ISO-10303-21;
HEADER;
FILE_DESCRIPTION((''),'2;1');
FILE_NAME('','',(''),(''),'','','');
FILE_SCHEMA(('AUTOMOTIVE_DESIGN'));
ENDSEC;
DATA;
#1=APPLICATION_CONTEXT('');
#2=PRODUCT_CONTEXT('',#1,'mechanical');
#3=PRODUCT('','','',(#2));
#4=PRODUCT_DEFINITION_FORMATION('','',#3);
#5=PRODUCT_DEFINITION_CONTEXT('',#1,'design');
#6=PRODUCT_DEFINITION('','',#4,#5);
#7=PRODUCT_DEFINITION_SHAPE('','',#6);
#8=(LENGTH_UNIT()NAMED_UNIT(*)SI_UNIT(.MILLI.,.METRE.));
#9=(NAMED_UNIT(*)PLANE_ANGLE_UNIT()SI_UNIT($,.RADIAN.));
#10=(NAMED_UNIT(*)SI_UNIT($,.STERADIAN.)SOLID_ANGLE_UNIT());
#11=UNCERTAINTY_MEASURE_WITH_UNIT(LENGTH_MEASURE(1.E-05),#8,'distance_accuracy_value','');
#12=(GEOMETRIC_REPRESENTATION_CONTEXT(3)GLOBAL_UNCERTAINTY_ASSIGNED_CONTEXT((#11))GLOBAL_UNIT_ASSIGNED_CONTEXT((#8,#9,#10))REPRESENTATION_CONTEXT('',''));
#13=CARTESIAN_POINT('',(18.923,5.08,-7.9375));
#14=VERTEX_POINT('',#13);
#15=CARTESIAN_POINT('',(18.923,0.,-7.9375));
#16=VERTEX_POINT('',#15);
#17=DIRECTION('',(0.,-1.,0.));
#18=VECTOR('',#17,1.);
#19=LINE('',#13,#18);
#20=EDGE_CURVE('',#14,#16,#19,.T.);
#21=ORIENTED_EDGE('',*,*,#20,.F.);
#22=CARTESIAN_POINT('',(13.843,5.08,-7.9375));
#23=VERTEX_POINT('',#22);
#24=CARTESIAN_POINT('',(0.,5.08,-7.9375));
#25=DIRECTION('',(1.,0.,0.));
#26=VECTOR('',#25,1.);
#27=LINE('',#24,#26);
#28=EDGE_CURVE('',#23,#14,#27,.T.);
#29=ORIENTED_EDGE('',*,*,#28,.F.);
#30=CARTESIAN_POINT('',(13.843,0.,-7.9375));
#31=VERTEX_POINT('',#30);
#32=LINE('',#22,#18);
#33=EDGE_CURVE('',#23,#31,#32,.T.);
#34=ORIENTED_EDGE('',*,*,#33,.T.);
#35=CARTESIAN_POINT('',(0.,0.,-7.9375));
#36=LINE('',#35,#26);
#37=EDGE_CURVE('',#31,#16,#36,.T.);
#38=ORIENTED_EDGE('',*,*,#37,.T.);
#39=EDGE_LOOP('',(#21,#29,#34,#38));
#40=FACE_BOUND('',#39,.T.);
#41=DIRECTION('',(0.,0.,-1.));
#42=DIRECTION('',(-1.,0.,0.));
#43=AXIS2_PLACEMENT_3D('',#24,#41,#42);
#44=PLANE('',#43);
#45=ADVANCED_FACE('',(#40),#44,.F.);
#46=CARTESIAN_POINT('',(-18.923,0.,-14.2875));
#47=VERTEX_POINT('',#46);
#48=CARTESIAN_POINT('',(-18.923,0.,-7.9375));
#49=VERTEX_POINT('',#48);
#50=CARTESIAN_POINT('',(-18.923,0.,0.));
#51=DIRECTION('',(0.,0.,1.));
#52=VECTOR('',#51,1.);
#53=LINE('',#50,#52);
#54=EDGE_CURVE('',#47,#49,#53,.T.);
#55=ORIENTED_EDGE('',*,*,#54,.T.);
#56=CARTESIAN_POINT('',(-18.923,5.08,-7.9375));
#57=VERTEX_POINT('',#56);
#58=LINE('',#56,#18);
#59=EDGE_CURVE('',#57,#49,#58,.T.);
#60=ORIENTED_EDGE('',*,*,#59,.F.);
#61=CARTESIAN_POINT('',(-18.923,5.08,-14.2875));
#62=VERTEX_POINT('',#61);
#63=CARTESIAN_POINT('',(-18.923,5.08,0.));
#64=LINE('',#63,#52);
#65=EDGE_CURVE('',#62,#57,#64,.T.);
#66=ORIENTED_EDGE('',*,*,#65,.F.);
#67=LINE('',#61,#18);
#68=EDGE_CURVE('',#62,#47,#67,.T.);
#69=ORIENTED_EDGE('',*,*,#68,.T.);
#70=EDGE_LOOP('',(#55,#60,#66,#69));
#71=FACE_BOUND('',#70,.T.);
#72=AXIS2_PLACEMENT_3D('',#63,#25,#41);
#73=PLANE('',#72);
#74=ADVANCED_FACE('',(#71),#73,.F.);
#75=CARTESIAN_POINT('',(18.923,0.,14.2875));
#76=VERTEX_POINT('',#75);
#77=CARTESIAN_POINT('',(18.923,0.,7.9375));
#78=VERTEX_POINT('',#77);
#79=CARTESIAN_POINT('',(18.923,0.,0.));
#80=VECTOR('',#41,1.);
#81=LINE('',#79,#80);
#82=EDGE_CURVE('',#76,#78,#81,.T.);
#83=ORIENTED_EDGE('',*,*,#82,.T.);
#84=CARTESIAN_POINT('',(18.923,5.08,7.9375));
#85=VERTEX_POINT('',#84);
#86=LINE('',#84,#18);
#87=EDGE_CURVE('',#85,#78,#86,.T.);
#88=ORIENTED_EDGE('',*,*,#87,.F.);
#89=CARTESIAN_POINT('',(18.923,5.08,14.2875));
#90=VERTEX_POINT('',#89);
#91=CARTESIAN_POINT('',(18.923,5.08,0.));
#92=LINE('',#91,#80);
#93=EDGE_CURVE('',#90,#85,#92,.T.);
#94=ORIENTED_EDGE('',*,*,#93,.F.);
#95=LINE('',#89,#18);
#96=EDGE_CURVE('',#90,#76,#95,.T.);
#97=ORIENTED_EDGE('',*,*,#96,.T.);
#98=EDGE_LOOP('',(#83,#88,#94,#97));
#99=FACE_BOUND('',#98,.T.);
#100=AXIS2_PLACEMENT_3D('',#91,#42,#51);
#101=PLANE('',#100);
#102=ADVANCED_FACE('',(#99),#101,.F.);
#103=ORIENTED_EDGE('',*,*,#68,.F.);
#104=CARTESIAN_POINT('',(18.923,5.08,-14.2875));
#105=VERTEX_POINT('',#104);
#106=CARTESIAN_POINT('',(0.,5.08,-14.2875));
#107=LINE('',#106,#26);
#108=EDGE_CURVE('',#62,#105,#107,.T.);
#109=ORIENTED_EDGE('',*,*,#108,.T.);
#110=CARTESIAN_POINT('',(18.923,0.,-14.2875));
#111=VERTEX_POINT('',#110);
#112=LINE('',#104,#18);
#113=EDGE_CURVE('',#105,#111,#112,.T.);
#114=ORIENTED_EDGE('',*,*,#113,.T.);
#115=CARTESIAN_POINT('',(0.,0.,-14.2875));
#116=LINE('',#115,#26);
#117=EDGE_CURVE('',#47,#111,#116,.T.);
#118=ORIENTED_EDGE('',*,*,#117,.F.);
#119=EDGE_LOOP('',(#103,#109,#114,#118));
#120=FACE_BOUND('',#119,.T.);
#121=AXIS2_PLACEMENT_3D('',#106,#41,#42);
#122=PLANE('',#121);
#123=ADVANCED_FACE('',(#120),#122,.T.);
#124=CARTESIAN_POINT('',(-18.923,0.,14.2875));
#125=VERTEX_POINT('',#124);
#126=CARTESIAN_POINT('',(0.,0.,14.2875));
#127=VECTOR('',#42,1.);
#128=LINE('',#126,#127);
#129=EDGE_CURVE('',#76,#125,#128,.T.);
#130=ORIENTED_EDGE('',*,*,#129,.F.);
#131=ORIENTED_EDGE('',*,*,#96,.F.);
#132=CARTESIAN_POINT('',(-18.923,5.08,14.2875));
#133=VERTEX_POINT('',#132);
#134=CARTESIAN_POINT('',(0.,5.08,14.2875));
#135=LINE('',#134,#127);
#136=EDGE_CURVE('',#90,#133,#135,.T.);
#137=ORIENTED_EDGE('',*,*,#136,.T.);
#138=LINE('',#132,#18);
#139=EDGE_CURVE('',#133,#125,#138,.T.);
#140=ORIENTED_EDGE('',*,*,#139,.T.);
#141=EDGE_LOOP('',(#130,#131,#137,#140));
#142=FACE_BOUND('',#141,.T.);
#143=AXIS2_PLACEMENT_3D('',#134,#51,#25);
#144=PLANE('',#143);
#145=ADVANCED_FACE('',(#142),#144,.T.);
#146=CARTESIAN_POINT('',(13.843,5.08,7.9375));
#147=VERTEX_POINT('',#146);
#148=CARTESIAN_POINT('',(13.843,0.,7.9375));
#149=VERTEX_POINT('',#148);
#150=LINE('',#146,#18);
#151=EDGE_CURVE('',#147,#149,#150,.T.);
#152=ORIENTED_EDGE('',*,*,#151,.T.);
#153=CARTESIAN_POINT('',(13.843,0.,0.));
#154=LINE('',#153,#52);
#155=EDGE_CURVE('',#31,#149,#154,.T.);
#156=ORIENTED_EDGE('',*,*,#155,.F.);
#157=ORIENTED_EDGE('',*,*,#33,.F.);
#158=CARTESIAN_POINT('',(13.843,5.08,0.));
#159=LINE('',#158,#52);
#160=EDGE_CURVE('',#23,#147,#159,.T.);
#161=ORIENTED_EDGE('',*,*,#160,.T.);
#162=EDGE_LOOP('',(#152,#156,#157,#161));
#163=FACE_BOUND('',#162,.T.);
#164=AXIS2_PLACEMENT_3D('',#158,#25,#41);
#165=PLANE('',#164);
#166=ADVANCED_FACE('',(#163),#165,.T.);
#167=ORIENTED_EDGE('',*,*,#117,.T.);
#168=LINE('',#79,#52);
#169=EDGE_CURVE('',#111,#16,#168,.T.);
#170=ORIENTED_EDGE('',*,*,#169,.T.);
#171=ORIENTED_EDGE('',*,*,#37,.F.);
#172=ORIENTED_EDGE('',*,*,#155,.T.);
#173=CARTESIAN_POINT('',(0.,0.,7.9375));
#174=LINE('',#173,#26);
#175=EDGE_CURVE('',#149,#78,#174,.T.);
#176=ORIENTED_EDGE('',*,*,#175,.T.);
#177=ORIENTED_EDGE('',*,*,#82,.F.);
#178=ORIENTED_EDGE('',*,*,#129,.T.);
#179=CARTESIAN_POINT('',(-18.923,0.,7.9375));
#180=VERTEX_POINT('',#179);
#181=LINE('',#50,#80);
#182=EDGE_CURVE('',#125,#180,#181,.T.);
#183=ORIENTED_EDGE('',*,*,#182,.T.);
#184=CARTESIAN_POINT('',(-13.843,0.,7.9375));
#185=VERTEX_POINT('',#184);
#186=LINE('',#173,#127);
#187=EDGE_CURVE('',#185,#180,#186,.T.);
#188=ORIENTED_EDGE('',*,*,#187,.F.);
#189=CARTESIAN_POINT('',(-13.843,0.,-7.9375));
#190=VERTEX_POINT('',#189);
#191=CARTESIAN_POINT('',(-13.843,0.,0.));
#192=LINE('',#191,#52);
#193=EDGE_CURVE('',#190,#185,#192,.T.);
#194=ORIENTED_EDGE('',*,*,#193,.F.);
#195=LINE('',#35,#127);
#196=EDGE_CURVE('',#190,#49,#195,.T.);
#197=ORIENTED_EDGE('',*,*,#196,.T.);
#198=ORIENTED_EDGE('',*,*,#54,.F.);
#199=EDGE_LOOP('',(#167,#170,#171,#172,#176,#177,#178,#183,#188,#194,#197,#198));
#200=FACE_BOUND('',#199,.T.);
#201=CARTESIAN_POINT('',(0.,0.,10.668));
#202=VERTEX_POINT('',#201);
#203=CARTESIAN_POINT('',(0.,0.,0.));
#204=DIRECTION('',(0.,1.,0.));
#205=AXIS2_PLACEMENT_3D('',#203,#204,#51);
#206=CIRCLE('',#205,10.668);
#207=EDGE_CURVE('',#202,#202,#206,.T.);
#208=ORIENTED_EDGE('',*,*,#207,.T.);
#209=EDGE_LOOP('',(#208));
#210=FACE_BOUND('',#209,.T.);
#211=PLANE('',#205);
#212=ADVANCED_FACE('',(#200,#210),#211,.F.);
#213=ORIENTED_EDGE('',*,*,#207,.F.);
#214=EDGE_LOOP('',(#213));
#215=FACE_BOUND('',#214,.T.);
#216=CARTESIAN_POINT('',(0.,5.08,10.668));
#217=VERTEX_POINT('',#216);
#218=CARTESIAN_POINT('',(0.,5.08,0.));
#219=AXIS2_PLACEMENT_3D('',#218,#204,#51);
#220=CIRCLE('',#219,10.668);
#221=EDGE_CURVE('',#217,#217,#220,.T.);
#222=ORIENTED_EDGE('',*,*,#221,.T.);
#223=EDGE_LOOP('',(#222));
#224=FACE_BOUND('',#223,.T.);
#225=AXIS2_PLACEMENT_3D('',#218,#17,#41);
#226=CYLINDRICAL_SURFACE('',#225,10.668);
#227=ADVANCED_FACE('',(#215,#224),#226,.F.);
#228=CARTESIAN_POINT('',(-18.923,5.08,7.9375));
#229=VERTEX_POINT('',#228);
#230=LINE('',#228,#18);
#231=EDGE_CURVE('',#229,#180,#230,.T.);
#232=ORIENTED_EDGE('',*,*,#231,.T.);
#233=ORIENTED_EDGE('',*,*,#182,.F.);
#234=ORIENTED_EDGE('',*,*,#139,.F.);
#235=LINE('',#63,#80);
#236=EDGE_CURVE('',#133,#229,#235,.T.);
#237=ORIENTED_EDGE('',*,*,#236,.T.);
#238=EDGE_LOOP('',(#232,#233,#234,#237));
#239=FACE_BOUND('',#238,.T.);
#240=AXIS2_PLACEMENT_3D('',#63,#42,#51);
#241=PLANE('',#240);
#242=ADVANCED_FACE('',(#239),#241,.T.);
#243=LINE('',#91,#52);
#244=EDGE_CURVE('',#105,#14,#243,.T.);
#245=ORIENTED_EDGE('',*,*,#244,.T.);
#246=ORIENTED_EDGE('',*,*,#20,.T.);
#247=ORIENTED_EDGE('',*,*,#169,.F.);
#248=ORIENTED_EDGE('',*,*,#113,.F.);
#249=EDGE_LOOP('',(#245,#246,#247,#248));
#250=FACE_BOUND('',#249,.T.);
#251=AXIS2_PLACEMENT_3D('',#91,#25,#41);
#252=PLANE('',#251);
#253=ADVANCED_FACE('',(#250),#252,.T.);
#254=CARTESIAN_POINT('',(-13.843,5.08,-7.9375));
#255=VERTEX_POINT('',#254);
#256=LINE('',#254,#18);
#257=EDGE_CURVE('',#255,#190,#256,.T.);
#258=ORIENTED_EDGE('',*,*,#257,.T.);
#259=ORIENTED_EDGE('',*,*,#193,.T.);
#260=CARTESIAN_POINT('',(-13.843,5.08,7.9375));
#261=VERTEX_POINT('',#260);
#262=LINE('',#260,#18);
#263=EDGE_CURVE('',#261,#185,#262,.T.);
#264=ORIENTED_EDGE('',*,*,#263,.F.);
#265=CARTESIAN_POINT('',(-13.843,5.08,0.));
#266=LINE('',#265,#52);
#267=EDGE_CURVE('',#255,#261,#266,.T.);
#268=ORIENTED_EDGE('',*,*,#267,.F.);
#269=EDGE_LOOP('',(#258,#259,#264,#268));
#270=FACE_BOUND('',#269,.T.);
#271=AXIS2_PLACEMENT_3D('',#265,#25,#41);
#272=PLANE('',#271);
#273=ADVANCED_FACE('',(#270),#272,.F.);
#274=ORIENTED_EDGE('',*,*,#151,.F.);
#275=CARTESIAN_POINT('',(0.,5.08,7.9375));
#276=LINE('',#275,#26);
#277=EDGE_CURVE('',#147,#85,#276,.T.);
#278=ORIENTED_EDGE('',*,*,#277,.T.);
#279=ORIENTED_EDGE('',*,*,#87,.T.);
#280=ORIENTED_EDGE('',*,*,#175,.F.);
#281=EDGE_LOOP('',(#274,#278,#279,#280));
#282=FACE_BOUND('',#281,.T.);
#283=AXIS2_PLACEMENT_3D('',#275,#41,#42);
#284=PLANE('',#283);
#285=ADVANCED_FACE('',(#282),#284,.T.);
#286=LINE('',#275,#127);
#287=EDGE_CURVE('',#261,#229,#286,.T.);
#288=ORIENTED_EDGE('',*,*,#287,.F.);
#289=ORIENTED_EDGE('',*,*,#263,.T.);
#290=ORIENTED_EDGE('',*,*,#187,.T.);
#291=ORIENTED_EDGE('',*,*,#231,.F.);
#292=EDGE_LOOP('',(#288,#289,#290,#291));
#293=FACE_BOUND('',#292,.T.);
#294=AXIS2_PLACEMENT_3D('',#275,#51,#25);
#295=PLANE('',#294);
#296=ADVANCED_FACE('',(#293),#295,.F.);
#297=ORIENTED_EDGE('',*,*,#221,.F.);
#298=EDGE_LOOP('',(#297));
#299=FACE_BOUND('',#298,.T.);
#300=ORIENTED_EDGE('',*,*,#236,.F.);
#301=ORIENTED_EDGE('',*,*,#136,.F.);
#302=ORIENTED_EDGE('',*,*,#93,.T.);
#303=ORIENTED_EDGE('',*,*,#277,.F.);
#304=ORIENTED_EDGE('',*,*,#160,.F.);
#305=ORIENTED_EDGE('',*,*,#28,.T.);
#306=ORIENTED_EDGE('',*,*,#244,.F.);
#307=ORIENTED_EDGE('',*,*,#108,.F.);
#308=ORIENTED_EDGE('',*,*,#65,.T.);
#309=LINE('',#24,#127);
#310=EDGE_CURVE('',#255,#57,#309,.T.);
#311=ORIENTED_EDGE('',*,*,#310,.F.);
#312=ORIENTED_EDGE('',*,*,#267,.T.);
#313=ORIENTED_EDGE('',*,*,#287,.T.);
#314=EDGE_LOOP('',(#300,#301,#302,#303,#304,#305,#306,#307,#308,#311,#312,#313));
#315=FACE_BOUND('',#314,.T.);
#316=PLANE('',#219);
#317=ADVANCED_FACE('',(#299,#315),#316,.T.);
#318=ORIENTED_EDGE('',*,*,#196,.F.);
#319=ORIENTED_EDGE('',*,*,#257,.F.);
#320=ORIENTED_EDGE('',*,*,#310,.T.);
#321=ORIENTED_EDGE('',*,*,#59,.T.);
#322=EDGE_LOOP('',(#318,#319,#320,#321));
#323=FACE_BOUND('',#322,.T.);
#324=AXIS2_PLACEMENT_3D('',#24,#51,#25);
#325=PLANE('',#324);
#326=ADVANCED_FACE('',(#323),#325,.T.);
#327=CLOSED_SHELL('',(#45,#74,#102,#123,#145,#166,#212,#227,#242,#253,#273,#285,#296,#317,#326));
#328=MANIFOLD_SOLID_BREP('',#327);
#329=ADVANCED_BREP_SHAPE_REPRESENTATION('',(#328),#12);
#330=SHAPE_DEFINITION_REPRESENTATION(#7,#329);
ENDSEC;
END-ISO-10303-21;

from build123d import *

# Parameters (mm, degrees)
SKETCH1_W           = 5.08
SKETCH1_H           = 6.35
SKETCH1_W_2         = 27.686
SKETCH1_H_2         = 28.575
SKETCH1_R           = 10.668
BOSS_EXTRUDE1_DEPTH = 5.08


with BuildPart() as part:
    # Sketch1 → Boss-Extrude1 (new body)
    with BuildSketch(Plane(origin=(0, 0, 0), x_dir=(1, 0, 0), z_dir=(0, 1, 0))):
        with Locations((-16.383, -11.1125)):
            Rectangle(SKETCH1_W, SKETCH1_H)
        with Locations((-16.383, 11.1125)):
            Rectangle(SKETCH1_W, SKETCH1_H)
        Rectangle(SKETCH1_W_2, SKETCH1_H_2)
        Circle(SKETCH1_R, mode=Mode.SUBTRACT)
        with Locations((16.383, 11.1125)):
            Rectangle(SKETCH1_W, SKETCH1_H)
        with Locations((16.383, -11.1125)):
            Rectangle(SKETCH1_W, SKETCH1_H)
    extrude(amount=BOSS_EXTRUDE1_DEPTH)


solid = part.part
